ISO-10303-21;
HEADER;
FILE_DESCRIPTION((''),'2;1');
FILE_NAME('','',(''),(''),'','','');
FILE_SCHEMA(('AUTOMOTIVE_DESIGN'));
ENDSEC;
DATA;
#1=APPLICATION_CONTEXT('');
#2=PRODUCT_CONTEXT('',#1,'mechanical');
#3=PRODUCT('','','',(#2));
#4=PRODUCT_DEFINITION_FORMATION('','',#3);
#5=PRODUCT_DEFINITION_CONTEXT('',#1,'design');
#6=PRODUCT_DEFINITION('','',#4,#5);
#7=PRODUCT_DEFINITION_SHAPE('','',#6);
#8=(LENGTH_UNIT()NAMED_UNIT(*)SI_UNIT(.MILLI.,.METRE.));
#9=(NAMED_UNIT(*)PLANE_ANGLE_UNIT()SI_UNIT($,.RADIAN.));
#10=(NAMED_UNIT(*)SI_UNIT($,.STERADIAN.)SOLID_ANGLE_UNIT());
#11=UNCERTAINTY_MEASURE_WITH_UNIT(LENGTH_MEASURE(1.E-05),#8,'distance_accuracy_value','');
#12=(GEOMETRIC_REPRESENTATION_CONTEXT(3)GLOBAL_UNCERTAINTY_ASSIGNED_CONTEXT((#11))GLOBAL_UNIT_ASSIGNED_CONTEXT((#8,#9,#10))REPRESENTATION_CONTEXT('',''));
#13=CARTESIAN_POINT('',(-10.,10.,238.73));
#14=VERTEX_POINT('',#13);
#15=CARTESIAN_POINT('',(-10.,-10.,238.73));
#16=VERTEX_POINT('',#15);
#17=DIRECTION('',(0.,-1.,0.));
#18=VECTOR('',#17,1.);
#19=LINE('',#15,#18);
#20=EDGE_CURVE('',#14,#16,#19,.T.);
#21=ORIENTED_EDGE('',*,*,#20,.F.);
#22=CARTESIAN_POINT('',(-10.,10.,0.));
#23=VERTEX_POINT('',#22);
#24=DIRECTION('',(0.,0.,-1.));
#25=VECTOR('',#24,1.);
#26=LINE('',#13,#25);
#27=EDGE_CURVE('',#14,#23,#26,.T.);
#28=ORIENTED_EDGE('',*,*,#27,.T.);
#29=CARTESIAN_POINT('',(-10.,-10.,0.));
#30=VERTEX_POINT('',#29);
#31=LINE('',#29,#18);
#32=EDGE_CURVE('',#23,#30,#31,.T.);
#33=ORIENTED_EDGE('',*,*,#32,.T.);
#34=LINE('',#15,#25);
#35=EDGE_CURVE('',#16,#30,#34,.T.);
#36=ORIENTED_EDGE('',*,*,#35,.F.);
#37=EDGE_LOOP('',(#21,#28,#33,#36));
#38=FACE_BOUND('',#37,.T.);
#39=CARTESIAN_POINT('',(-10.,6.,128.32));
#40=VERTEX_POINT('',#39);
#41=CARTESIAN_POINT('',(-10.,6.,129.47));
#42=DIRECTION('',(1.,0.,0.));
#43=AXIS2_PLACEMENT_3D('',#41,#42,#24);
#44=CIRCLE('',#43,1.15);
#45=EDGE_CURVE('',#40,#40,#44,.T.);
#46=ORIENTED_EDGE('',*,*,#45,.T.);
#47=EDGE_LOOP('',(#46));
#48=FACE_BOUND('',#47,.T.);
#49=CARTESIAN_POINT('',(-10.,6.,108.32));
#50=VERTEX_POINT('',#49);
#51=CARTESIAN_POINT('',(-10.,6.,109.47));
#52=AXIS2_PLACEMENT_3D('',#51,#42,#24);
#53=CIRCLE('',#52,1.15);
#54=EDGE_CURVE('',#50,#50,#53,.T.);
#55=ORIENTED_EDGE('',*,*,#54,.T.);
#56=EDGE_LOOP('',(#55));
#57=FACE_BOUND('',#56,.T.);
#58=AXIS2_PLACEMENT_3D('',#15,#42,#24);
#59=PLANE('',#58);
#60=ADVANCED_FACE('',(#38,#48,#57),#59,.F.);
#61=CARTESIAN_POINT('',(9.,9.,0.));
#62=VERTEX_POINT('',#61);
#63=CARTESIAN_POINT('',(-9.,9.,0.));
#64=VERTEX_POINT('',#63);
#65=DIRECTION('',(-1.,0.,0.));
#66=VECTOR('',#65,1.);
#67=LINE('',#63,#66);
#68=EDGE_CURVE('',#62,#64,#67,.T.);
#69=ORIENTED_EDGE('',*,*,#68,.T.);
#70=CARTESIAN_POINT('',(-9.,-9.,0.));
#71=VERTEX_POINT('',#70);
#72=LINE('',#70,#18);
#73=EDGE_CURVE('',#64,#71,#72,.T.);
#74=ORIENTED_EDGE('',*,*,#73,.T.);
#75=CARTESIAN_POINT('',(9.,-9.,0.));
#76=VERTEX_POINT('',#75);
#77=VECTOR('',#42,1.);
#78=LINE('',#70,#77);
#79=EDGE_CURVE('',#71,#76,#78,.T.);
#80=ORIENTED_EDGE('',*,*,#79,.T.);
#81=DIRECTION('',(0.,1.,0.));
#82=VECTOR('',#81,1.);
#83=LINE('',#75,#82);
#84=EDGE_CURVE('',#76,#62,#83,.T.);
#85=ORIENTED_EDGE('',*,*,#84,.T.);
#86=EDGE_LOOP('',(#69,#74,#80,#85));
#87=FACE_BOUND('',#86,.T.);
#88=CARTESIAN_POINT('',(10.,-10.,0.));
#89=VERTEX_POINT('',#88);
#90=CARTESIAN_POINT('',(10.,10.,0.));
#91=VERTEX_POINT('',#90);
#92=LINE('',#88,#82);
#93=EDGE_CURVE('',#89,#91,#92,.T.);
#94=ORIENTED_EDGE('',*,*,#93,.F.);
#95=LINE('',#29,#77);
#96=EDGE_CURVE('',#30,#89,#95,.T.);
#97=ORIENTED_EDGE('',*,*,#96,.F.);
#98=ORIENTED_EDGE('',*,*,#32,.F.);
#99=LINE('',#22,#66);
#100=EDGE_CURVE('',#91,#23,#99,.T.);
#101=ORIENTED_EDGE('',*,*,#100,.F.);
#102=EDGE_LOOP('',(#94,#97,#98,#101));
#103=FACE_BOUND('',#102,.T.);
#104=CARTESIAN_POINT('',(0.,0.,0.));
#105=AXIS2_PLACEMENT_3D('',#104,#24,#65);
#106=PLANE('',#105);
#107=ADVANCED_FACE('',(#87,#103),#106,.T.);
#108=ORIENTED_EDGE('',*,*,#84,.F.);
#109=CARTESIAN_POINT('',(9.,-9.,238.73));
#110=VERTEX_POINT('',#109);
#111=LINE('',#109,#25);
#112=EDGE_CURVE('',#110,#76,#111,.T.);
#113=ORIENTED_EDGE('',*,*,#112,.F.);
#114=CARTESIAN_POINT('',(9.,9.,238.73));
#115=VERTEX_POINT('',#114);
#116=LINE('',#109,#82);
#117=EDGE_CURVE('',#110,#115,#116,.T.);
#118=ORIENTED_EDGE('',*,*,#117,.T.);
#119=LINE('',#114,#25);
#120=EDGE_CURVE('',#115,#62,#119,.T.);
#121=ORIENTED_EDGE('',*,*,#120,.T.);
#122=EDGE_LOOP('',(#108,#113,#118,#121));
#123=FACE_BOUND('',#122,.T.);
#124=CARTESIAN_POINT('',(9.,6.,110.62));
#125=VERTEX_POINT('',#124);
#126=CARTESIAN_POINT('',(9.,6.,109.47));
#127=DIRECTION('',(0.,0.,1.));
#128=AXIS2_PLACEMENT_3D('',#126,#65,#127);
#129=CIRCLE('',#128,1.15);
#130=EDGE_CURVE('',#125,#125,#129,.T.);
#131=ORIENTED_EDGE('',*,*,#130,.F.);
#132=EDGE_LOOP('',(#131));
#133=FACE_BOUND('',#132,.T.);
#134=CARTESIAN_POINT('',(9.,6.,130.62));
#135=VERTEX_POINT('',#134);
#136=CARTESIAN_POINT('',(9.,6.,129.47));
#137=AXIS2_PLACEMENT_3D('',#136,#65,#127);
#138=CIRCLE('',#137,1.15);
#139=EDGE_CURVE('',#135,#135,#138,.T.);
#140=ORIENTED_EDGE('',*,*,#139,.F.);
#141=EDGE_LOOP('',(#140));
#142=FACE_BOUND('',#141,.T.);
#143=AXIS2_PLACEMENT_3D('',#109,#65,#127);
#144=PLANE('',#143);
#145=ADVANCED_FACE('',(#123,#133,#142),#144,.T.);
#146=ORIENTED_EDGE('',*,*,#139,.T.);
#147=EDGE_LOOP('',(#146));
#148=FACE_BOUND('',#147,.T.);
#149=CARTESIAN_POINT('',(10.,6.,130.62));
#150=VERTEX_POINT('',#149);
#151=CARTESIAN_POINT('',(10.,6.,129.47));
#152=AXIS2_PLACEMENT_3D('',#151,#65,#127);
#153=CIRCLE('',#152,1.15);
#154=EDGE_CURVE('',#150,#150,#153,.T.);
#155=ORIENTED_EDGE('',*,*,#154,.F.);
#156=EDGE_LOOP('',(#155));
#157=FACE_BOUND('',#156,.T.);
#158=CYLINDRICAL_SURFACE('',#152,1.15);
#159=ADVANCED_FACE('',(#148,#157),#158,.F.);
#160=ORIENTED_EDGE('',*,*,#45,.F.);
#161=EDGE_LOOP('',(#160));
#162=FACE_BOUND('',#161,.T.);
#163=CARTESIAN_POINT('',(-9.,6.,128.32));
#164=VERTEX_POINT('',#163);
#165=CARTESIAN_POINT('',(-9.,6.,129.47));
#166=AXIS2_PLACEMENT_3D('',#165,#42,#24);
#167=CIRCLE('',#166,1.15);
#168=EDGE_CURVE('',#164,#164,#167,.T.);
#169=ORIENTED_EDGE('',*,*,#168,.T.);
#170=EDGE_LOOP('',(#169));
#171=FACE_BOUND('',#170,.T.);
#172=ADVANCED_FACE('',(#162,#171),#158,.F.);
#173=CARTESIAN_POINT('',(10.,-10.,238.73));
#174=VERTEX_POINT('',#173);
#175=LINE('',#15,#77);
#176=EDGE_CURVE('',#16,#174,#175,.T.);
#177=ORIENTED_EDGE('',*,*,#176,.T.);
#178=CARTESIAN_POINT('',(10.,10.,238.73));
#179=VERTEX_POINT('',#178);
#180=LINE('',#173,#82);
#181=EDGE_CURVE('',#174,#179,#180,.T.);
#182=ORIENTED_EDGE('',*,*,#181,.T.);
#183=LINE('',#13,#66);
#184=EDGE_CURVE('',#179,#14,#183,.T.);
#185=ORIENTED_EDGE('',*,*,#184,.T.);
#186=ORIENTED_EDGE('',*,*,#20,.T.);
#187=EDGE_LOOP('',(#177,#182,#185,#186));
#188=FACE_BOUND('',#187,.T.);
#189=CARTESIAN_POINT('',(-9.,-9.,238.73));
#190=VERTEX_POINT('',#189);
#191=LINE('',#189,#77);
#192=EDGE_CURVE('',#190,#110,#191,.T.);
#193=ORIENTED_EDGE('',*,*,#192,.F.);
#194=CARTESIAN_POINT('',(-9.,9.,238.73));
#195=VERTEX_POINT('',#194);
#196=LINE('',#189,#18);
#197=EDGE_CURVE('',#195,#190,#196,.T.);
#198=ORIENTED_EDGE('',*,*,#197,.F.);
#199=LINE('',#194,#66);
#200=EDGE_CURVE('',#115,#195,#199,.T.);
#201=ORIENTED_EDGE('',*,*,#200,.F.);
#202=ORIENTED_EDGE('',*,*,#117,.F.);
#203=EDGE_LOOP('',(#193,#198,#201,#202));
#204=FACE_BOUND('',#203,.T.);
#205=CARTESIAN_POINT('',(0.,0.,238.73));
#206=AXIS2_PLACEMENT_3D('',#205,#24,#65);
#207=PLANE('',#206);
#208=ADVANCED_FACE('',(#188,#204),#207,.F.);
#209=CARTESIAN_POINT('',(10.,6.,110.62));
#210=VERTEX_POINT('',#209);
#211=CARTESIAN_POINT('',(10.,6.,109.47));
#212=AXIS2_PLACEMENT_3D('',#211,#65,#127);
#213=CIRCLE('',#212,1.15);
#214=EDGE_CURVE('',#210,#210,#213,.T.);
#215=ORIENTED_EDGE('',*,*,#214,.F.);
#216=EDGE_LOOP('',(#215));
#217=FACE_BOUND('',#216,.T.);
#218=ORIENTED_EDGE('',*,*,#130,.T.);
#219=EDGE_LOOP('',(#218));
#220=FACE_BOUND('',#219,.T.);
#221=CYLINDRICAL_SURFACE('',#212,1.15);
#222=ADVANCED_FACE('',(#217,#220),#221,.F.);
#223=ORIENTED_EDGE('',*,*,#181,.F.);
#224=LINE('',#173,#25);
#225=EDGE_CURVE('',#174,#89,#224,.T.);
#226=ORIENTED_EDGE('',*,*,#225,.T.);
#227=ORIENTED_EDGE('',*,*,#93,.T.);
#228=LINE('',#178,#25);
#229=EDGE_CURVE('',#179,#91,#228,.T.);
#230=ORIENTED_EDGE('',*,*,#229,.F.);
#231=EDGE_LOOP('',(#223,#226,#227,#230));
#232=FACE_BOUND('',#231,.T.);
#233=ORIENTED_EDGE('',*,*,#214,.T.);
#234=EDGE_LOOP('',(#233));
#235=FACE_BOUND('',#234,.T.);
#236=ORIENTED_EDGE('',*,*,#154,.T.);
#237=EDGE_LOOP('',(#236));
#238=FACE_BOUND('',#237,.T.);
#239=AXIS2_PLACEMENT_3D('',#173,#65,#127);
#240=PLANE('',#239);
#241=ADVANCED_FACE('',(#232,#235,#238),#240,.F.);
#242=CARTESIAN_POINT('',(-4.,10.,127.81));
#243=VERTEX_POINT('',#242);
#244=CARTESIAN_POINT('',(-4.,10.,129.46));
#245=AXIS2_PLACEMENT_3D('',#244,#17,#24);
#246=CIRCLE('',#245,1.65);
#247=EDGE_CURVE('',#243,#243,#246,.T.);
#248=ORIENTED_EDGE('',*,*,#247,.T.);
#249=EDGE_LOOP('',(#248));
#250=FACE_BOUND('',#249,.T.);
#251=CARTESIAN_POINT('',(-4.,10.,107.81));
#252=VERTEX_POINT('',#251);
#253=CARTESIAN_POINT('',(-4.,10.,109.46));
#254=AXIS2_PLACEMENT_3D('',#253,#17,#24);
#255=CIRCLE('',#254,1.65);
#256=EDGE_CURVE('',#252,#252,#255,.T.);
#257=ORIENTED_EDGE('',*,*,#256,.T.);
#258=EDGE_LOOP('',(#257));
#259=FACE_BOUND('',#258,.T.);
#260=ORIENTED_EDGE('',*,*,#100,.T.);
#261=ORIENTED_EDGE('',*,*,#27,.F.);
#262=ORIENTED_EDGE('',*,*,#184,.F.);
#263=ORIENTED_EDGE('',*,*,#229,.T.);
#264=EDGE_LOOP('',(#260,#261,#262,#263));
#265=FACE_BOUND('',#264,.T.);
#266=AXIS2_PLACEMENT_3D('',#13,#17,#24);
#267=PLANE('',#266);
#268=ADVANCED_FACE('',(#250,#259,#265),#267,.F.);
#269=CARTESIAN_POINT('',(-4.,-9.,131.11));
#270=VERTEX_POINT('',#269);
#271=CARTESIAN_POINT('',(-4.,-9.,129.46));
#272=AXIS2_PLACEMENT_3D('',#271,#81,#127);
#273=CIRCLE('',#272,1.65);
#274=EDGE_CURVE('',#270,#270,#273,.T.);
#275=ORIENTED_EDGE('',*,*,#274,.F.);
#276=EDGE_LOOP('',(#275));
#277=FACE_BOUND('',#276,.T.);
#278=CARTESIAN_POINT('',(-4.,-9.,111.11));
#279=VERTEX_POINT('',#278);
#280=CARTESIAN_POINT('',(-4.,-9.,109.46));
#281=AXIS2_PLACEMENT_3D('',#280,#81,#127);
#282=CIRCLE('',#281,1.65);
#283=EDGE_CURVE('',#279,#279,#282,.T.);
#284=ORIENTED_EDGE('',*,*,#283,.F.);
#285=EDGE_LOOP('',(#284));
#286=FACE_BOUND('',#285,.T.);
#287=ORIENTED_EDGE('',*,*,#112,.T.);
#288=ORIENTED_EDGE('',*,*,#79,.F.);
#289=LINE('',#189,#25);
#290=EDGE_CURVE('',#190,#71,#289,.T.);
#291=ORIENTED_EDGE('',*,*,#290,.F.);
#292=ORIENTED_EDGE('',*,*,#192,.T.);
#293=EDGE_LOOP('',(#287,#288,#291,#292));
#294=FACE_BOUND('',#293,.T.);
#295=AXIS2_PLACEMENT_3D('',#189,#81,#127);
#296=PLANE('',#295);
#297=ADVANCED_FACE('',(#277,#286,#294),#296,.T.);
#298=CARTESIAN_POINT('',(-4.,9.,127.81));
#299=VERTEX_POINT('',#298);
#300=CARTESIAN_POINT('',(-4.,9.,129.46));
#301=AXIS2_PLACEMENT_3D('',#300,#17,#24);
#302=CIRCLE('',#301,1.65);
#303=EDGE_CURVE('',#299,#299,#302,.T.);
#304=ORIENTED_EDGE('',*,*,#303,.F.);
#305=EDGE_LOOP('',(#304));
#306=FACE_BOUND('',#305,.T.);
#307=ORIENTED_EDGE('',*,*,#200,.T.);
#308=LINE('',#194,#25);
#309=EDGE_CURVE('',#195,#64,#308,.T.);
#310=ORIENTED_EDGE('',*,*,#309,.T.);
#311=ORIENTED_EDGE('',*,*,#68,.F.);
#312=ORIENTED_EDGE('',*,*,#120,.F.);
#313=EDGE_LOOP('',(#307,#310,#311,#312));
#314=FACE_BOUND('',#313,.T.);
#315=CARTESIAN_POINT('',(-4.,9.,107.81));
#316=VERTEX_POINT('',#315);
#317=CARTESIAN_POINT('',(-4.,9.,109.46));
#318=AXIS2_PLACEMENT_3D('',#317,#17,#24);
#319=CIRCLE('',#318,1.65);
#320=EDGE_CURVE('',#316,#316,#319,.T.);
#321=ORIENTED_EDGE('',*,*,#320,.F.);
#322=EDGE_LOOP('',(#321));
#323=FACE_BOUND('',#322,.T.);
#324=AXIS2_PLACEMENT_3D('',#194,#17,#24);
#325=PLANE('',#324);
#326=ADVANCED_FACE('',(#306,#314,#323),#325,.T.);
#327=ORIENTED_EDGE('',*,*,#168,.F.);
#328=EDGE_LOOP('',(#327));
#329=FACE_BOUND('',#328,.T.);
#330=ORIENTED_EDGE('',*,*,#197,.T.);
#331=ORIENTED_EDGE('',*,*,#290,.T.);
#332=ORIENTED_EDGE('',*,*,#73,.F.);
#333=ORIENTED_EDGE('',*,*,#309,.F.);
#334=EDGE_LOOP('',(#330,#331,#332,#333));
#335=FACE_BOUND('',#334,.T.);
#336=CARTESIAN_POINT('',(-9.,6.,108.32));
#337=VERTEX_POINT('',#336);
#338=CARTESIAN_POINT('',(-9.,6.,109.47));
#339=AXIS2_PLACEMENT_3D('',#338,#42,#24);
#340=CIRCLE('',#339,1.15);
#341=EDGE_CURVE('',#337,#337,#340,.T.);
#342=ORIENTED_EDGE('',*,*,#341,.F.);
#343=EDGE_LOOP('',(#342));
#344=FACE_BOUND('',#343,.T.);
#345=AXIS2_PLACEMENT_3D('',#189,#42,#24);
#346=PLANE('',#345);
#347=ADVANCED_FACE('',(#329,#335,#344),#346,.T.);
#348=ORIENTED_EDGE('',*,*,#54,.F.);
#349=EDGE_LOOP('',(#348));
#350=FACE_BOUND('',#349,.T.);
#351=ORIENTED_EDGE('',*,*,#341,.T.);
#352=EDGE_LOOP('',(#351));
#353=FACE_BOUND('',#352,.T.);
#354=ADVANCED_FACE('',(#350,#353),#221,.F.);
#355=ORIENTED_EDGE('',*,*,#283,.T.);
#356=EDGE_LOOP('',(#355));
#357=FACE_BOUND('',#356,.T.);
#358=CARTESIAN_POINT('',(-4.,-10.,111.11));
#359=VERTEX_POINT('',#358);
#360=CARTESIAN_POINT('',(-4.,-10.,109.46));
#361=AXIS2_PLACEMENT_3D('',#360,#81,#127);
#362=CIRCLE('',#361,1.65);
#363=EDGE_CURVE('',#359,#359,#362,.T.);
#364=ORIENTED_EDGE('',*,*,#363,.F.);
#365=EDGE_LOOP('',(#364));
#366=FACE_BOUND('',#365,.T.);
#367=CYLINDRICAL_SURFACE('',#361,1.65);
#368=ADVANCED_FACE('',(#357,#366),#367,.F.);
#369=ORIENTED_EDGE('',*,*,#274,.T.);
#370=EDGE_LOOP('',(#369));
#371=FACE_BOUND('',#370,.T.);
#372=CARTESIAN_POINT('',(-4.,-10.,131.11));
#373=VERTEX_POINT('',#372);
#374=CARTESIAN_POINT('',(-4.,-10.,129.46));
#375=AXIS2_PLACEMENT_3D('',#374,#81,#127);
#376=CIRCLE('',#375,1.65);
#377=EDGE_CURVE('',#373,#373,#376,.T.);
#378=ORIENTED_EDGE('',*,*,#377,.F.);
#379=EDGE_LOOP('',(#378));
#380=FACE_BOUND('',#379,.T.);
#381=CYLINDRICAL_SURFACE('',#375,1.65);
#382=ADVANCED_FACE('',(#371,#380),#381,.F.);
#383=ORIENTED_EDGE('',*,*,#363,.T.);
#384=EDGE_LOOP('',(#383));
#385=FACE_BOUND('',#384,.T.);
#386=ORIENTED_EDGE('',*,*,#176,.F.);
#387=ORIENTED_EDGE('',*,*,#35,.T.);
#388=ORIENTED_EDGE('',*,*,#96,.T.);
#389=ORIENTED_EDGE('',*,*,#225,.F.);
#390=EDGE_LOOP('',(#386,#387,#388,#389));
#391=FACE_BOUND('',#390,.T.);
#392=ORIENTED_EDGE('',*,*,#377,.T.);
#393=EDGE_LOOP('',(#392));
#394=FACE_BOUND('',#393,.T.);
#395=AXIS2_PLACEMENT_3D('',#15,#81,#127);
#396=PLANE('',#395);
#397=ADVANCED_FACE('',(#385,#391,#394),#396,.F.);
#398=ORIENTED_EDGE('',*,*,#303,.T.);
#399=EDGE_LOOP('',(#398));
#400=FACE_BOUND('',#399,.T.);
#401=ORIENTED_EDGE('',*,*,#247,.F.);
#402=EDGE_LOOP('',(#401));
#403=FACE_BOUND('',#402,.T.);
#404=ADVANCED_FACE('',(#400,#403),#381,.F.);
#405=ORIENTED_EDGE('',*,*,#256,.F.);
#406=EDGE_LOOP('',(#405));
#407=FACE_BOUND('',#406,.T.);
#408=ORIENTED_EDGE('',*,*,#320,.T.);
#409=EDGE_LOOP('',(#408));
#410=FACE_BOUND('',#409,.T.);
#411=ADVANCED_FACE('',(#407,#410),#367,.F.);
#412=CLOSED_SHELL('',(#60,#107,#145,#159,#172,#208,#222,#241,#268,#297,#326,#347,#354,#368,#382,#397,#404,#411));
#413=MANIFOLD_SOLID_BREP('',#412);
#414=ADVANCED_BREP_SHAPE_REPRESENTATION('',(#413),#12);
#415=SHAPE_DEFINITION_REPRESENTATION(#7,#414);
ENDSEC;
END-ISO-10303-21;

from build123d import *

# Parameters (mm, degrees)
SKETCH1_W               = 20
SKETCH1_H               = 20
SKETCH1_W_2             = 18
SKETCH1_H_2             = 18
BOSS_EXTRUDE2_DEPTH     = 238.73
CUT_EXTRUDE1_DEPTH      = 240.774921332
CUT_EXTRUDE1_DEPTH_BACK = 240.774921332
SKETCH3_R               = 1.65
CUT_EXTRUDE2_DEPTH      = 240.774921332
CUT_EXTRUDE2_DEPTH_BACK = 240.774921332
SKETCH4_R               = 1.15


with BuildPart() as part:
    # Sketch1 → Boss-Extrude2 (new body)
    with BuildSketch(Plane.XY):
        Rectangle(SKETCH1_W, SKETCH1_H)
        Rectangle(SKETCH1_W_2, SKETCH1_H_2, mode=Mode.SUBTRACT)
    extrude(amount=BOSS_EXTRUDE2_DEPTH)

    # Sketch3 → Cut-Extrude1 (cut, two sides: drawn at the far end of the back side and taken through both)
    with BuildSketch(Plane(origin=(0, 10, 0), x_dir=(1, 0, 0), z_dir=(0, 1, 0)).offset(-CUT_EXTRUDE1_DEPTH_BACK)):
        with Locations(Location((-4, -109.46, 0), (0, 0, 270))):
            Circle(SKETCH3_R)
        with Locations(Location((-4, -129.46, 0), (0, 0, 270))):
            Circle(SKETCH3_R)
    extrude(amount=CUT_EXTRUDE1_DEPTH + CUT_EXTRUDE1_DEPTH_BACK, mode=Mode.SUBTRACT)

    # Sketch4 → Cut-Extrude2 (cut, two sides: drawn at the far end of the back side and taken through both)
    with BuildSketch(Plane.ZY.offset(10).offset(-CUT_EXTRUDE2_DEPTH_BACK)):
        with Locations(Location((129.47, 6, 0), (0, 0, 180))):
            Circle(SKETCH4_R)
        with Locations(Location((109.47, 6, 0), (0, 0, 180))):
            Circle(SKETCH4_R)
    extrude(amount=CUT_EXTRUDE2_DEPTH + CUT_EXTRUDE2_DEPTH_BACK, mode=Mode.SUBTRACT)


solid = part.part
